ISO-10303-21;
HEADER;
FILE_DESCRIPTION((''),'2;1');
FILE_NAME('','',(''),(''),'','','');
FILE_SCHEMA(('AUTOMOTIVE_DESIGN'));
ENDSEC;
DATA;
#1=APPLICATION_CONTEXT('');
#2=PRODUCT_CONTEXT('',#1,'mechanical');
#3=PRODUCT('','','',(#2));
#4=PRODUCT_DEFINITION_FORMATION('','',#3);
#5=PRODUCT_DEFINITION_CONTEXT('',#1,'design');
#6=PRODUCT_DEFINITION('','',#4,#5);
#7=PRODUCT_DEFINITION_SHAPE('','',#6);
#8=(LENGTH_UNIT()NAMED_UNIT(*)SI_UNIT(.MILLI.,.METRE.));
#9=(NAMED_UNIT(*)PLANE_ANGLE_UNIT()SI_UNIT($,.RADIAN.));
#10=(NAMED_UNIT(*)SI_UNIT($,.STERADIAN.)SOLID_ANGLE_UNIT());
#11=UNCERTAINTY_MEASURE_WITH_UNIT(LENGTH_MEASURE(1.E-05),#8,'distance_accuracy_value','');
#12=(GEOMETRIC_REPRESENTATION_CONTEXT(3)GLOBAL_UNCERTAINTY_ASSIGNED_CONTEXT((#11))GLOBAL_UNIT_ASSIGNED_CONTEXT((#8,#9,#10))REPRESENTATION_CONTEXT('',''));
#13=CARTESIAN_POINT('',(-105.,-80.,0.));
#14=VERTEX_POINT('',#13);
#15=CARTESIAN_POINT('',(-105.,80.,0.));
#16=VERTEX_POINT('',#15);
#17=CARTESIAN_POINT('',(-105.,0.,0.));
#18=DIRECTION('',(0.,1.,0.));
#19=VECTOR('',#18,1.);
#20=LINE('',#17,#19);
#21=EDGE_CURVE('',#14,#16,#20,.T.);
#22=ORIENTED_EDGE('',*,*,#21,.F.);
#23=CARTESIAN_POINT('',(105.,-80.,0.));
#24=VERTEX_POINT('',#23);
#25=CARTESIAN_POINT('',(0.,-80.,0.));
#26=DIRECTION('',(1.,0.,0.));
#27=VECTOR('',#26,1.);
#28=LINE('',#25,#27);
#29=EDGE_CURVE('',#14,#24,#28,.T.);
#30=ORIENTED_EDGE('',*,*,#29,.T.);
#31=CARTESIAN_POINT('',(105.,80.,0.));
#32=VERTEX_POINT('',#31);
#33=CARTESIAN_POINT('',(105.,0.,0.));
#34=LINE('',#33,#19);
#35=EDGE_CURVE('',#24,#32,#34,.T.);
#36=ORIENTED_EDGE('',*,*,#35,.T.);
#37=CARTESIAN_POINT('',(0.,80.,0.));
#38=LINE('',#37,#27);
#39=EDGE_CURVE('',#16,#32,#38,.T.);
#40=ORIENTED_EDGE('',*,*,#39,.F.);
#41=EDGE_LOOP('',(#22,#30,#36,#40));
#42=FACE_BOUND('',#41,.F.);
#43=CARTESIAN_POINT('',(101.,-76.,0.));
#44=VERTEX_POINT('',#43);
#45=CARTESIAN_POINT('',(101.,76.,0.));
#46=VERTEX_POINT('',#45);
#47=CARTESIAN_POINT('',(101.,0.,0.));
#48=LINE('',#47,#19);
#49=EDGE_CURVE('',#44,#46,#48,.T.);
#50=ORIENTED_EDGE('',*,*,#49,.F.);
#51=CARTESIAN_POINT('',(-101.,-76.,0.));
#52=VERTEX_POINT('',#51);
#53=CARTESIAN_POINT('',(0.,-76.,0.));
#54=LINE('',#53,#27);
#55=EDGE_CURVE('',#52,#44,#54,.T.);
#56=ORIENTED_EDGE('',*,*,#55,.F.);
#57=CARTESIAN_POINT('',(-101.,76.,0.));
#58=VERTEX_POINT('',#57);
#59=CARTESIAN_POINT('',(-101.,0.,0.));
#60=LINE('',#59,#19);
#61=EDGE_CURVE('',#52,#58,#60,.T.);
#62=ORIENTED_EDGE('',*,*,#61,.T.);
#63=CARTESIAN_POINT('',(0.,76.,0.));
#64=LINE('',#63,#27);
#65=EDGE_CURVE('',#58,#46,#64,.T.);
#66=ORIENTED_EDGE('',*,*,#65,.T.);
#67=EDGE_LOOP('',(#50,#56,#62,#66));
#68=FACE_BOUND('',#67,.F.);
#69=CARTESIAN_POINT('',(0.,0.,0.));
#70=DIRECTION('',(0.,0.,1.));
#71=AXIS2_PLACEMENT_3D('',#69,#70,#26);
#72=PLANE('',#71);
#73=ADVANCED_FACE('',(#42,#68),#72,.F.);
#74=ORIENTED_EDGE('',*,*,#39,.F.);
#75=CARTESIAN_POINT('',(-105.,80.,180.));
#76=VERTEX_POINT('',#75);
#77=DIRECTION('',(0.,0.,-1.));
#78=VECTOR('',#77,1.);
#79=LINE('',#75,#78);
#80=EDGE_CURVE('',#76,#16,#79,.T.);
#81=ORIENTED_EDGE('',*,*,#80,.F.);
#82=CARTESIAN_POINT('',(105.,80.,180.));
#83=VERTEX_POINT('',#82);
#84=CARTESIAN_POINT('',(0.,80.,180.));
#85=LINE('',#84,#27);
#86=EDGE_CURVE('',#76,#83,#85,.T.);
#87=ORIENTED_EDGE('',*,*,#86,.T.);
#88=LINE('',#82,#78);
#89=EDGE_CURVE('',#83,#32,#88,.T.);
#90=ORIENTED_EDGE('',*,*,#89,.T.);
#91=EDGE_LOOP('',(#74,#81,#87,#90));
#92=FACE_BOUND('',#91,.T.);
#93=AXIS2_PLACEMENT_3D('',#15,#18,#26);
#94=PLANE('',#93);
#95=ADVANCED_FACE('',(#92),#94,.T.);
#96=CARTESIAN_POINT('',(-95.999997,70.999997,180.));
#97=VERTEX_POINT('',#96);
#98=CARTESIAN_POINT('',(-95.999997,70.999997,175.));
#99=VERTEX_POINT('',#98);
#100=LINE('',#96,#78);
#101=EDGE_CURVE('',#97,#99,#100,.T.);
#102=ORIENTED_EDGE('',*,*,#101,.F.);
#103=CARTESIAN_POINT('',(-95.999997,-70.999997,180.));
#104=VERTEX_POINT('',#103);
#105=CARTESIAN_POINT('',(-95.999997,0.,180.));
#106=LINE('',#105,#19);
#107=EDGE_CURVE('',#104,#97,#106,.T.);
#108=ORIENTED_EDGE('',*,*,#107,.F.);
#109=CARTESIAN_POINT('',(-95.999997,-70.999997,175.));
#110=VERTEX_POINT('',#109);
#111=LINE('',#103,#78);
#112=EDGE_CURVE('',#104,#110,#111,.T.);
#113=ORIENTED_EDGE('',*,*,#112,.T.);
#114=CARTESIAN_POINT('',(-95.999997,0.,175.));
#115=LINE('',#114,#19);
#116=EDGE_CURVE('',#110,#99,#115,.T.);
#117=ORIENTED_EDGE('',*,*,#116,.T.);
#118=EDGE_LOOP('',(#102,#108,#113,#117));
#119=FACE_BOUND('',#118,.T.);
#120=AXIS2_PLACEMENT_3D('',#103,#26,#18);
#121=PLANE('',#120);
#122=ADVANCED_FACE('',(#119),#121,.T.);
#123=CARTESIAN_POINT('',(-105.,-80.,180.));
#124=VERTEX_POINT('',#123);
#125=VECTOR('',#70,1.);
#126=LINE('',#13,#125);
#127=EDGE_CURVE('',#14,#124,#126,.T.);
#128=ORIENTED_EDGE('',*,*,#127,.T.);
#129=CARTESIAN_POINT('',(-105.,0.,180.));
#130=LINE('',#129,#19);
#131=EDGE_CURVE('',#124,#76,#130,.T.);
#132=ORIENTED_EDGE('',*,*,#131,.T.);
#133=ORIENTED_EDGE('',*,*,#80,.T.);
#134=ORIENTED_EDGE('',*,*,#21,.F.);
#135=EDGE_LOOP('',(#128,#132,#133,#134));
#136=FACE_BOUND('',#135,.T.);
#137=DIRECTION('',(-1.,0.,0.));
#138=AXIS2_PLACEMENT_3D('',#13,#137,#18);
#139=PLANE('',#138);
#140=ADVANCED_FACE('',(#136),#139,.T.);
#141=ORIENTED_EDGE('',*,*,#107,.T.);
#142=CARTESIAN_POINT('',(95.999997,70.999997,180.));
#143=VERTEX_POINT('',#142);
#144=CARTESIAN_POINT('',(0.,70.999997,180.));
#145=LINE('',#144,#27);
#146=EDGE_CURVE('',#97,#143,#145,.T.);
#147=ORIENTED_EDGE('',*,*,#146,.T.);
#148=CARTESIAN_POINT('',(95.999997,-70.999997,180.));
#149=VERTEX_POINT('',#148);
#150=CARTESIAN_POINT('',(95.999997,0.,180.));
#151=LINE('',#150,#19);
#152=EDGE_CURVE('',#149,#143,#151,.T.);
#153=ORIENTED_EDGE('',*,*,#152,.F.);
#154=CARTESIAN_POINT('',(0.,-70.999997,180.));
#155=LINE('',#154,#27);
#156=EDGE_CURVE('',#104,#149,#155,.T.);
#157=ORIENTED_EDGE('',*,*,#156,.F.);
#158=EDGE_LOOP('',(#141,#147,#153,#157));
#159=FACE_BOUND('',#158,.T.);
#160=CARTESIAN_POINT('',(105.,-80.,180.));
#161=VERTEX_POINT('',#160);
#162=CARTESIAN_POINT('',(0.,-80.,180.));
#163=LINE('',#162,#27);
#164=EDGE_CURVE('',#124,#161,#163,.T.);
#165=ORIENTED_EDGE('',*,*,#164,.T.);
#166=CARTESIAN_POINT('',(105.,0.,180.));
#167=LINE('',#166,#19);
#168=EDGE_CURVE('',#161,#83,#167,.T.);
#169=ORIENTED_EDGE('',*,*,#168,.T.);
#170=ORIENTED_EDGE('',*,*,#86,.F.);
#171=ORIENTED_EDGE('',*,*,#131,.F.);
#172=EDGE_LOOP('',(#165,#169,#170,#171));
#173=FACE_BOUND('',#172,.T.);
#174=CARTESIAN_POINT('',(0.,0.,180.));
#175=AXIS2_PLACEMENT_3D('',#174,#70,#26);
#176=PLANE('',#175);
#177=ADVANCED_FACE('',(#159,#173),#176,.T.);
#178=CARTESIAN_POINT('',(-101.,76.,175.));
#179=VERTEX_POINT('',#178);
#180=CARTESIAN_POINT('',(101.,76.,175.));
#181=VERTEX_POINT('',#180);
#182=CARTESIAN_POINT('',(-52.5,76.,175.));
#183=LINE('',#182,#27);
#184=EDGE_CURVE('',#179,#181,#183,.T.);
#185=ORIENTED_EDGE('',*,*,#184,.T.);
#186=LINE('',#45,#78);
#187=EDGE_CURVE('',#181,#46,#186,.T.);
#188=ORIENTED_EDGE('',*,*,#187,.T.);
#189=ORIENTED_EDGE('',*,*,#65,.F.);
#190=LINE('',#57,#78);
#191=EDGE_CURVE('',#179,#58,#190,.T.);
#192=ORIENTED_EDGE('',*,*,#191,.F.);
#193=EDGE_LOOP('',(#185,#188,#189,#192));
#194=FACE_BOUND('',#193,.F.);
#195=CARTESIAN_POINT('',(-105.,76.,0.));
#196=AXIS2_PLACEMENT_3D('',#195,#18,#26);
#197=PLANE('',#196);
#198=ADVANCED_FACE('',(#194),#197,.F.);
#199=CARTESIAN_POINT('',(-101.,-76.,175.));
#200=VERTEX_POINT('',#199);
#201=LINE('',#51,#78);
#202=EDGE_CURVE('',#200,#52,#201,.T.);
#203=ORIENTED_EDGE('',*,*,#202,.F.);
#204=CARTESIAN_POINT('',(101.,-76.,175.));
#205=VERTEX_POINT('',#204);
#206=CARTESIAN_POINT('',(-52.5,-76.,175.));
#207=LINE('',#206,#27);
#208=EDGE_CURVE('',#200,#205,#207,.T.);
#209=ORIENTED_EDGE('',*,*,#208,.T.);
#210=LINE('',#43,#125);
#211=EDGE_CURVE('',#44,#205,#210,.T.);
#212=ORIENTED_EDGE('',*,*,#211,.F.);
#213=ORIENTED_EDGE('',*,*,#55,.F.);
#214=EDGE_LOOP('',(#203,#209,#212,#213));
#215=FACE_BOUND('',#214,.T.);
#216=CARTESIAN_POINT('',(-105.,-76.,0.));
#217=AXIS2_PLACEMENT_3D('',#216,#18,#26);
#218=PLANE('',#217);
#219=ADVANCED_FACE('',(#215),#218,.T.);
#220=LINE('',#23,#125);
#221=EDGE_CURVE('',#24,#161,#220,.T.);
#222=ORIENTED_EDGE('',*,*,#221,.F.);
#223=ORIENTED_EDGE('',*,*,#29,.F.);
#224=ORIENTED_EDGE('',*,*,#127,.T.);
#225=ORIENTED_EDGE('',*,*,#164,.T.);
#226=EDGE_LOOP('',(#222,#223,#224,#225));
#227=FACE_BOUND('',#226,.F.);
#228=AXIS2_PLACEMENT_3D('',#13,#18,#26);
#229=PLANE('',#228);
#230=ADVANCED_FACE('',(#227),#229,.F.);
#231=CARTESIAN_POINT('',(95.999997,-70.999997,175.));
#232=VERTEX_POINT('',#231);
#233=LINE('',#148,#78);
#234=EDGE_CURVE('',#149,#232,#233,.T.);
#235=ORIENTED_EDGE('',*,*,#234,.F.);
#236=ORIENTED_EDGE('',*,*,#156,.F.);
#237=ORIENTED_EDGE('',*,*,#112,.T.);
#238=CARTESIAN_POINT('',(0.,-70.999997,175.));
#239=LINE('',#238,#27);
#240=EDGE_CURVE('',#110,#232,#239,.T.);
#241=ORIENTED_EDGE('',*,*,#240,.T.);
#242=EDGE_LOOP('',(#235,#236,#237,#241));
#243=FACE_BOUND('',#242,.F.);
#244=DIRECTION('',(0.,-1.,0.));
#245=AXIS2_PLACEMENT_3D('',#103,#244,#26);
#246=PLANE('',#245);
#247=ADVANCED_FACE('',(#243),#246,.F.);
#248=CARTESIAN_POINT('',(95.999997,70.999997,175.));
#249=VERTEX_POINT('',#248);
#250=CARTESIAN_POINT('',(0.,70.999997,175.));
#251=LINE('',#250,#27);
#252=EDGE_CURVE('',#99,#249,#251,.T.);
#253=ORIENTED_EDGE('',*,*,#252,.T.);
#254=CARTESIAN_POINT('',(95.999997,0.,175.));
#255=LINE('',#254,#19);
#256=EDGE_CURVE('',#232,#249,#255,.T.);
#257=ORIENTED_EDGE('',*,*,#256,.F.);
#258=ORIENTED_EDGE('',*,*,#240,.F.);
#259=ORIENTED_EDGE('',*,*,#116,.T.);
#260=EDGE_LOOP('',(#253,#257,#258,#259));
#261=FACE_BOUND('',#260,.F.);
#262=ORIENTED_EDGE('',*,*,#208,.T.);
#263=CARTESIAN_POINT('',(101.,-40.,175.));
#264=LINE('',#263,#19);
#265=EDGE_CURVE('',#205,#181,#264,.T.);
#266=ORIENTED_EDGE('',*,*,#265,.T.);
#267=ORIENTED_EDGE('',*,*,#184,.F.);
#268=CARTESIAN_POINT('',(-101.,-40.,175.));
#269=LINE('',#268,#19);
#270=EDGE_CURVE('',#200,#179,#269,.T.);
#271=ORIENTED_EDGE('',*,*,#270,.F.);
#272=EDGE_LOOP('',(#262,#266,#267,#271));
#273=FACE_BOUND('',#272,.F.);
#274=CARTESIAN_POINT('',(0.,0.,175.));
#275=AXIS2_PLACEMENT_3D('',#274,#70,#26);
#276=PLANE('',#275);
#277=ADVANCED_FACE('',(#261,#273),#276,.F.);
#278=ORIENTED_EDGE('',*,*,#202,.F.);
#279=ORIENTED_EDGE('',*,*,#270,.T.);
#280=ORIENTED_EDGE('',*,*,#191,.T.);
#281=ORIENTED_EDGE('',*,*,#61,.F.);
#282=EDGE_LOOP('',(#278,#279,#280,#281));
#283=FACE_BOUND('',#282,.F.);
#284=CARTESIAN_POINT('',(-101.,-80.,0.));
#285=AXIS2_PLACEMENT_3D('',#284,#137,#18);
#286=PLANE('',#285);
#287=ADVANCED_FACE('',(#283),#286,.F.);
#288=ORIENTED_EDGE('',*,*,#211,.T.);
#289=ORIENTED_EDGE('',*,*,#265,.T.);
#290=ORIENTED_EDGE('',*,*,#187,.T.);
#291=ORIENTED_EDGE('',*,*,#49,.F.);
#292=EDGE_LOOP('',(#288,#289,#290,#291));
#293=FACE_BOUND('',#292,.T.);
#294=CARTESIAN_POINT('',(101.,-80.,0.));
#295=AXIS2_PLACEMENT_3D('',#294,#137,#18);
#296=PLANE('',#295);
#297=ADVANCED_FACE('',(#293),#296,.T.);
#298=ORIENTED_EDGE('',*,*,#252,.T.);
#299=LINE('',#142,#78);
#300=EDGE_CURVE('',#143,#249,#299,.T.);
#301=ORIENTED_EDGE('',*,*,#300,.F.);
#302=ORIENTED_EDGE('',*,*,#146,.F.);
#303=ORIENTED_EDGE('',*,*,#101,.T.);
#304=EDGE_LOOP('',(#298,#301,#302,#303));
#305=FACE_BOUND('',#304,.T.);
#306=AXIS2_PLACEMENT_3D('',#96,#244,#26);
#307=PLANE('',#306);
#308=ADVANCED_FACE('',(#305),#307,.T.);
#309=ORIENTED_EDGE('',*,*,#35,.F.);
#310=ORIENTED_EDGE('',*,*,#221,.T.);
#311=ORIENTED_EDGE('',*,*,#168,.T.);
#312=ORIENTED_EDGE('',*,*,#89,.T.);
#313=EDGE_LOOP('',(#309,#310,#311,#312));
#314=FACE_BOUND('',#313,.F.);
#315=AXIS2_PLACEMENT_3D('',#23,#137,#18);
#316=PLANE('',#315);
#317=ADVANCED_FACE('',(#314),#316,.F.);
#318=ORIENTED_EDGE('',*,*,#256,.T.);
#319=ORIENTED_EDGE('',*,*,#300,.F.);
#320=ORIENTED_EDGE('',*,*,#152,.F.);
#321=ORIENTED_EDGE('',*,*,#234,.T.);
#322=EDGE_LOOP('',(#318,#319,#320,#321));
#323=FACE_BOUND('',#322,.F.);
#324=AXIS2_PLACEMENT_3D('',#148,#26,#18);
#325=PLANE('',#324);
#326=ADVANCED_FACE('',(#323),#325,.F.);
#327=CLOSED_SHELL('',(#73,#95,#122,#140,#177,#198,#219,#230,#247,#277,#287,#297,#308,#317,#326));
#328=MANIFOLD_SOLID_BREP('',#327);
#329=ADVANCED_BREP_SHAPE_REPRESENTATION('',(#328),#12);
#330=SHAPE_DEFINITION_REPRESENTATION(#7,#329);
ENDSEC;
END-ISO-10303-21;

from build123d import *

# Parameters (mm, degrees)
F0_W     = 210
F0_H     = 160
F1_DEPTH = 180
F2_T     = -4
F3_W     = 210
F3_H     = 160
F3_W_2   = 191.999994
F3_H_2   = 141.999994
F4_DEPTH = 5


with BuildPart() as f1:
    # F0 (on Top) → F1 (new body)
    with BuildSketch(Plane.XY):
        Rectangle(F0_W, F0_H)
    extrude(amount=F1_DEPTH)

    # F2
    f2_openings = [f1.faces().sort_by_distance(p)[0] for p in [
        (0, 0, 180),
        (0, 0, 0),
    ]]
    offset(amount=F2_T, openings=f2_openings)

    # F3 (on face) → F4 (join)
    with BuildSketch(Plane.XY.offset(180)):
        Rectangle(F3_W, F3_H)
        Rectangle(F3_W_2, F3_H_2, mode=Mode.SUBTRACT)
    extrude(amount=-F4_DEPTH)


solid = f1.part
